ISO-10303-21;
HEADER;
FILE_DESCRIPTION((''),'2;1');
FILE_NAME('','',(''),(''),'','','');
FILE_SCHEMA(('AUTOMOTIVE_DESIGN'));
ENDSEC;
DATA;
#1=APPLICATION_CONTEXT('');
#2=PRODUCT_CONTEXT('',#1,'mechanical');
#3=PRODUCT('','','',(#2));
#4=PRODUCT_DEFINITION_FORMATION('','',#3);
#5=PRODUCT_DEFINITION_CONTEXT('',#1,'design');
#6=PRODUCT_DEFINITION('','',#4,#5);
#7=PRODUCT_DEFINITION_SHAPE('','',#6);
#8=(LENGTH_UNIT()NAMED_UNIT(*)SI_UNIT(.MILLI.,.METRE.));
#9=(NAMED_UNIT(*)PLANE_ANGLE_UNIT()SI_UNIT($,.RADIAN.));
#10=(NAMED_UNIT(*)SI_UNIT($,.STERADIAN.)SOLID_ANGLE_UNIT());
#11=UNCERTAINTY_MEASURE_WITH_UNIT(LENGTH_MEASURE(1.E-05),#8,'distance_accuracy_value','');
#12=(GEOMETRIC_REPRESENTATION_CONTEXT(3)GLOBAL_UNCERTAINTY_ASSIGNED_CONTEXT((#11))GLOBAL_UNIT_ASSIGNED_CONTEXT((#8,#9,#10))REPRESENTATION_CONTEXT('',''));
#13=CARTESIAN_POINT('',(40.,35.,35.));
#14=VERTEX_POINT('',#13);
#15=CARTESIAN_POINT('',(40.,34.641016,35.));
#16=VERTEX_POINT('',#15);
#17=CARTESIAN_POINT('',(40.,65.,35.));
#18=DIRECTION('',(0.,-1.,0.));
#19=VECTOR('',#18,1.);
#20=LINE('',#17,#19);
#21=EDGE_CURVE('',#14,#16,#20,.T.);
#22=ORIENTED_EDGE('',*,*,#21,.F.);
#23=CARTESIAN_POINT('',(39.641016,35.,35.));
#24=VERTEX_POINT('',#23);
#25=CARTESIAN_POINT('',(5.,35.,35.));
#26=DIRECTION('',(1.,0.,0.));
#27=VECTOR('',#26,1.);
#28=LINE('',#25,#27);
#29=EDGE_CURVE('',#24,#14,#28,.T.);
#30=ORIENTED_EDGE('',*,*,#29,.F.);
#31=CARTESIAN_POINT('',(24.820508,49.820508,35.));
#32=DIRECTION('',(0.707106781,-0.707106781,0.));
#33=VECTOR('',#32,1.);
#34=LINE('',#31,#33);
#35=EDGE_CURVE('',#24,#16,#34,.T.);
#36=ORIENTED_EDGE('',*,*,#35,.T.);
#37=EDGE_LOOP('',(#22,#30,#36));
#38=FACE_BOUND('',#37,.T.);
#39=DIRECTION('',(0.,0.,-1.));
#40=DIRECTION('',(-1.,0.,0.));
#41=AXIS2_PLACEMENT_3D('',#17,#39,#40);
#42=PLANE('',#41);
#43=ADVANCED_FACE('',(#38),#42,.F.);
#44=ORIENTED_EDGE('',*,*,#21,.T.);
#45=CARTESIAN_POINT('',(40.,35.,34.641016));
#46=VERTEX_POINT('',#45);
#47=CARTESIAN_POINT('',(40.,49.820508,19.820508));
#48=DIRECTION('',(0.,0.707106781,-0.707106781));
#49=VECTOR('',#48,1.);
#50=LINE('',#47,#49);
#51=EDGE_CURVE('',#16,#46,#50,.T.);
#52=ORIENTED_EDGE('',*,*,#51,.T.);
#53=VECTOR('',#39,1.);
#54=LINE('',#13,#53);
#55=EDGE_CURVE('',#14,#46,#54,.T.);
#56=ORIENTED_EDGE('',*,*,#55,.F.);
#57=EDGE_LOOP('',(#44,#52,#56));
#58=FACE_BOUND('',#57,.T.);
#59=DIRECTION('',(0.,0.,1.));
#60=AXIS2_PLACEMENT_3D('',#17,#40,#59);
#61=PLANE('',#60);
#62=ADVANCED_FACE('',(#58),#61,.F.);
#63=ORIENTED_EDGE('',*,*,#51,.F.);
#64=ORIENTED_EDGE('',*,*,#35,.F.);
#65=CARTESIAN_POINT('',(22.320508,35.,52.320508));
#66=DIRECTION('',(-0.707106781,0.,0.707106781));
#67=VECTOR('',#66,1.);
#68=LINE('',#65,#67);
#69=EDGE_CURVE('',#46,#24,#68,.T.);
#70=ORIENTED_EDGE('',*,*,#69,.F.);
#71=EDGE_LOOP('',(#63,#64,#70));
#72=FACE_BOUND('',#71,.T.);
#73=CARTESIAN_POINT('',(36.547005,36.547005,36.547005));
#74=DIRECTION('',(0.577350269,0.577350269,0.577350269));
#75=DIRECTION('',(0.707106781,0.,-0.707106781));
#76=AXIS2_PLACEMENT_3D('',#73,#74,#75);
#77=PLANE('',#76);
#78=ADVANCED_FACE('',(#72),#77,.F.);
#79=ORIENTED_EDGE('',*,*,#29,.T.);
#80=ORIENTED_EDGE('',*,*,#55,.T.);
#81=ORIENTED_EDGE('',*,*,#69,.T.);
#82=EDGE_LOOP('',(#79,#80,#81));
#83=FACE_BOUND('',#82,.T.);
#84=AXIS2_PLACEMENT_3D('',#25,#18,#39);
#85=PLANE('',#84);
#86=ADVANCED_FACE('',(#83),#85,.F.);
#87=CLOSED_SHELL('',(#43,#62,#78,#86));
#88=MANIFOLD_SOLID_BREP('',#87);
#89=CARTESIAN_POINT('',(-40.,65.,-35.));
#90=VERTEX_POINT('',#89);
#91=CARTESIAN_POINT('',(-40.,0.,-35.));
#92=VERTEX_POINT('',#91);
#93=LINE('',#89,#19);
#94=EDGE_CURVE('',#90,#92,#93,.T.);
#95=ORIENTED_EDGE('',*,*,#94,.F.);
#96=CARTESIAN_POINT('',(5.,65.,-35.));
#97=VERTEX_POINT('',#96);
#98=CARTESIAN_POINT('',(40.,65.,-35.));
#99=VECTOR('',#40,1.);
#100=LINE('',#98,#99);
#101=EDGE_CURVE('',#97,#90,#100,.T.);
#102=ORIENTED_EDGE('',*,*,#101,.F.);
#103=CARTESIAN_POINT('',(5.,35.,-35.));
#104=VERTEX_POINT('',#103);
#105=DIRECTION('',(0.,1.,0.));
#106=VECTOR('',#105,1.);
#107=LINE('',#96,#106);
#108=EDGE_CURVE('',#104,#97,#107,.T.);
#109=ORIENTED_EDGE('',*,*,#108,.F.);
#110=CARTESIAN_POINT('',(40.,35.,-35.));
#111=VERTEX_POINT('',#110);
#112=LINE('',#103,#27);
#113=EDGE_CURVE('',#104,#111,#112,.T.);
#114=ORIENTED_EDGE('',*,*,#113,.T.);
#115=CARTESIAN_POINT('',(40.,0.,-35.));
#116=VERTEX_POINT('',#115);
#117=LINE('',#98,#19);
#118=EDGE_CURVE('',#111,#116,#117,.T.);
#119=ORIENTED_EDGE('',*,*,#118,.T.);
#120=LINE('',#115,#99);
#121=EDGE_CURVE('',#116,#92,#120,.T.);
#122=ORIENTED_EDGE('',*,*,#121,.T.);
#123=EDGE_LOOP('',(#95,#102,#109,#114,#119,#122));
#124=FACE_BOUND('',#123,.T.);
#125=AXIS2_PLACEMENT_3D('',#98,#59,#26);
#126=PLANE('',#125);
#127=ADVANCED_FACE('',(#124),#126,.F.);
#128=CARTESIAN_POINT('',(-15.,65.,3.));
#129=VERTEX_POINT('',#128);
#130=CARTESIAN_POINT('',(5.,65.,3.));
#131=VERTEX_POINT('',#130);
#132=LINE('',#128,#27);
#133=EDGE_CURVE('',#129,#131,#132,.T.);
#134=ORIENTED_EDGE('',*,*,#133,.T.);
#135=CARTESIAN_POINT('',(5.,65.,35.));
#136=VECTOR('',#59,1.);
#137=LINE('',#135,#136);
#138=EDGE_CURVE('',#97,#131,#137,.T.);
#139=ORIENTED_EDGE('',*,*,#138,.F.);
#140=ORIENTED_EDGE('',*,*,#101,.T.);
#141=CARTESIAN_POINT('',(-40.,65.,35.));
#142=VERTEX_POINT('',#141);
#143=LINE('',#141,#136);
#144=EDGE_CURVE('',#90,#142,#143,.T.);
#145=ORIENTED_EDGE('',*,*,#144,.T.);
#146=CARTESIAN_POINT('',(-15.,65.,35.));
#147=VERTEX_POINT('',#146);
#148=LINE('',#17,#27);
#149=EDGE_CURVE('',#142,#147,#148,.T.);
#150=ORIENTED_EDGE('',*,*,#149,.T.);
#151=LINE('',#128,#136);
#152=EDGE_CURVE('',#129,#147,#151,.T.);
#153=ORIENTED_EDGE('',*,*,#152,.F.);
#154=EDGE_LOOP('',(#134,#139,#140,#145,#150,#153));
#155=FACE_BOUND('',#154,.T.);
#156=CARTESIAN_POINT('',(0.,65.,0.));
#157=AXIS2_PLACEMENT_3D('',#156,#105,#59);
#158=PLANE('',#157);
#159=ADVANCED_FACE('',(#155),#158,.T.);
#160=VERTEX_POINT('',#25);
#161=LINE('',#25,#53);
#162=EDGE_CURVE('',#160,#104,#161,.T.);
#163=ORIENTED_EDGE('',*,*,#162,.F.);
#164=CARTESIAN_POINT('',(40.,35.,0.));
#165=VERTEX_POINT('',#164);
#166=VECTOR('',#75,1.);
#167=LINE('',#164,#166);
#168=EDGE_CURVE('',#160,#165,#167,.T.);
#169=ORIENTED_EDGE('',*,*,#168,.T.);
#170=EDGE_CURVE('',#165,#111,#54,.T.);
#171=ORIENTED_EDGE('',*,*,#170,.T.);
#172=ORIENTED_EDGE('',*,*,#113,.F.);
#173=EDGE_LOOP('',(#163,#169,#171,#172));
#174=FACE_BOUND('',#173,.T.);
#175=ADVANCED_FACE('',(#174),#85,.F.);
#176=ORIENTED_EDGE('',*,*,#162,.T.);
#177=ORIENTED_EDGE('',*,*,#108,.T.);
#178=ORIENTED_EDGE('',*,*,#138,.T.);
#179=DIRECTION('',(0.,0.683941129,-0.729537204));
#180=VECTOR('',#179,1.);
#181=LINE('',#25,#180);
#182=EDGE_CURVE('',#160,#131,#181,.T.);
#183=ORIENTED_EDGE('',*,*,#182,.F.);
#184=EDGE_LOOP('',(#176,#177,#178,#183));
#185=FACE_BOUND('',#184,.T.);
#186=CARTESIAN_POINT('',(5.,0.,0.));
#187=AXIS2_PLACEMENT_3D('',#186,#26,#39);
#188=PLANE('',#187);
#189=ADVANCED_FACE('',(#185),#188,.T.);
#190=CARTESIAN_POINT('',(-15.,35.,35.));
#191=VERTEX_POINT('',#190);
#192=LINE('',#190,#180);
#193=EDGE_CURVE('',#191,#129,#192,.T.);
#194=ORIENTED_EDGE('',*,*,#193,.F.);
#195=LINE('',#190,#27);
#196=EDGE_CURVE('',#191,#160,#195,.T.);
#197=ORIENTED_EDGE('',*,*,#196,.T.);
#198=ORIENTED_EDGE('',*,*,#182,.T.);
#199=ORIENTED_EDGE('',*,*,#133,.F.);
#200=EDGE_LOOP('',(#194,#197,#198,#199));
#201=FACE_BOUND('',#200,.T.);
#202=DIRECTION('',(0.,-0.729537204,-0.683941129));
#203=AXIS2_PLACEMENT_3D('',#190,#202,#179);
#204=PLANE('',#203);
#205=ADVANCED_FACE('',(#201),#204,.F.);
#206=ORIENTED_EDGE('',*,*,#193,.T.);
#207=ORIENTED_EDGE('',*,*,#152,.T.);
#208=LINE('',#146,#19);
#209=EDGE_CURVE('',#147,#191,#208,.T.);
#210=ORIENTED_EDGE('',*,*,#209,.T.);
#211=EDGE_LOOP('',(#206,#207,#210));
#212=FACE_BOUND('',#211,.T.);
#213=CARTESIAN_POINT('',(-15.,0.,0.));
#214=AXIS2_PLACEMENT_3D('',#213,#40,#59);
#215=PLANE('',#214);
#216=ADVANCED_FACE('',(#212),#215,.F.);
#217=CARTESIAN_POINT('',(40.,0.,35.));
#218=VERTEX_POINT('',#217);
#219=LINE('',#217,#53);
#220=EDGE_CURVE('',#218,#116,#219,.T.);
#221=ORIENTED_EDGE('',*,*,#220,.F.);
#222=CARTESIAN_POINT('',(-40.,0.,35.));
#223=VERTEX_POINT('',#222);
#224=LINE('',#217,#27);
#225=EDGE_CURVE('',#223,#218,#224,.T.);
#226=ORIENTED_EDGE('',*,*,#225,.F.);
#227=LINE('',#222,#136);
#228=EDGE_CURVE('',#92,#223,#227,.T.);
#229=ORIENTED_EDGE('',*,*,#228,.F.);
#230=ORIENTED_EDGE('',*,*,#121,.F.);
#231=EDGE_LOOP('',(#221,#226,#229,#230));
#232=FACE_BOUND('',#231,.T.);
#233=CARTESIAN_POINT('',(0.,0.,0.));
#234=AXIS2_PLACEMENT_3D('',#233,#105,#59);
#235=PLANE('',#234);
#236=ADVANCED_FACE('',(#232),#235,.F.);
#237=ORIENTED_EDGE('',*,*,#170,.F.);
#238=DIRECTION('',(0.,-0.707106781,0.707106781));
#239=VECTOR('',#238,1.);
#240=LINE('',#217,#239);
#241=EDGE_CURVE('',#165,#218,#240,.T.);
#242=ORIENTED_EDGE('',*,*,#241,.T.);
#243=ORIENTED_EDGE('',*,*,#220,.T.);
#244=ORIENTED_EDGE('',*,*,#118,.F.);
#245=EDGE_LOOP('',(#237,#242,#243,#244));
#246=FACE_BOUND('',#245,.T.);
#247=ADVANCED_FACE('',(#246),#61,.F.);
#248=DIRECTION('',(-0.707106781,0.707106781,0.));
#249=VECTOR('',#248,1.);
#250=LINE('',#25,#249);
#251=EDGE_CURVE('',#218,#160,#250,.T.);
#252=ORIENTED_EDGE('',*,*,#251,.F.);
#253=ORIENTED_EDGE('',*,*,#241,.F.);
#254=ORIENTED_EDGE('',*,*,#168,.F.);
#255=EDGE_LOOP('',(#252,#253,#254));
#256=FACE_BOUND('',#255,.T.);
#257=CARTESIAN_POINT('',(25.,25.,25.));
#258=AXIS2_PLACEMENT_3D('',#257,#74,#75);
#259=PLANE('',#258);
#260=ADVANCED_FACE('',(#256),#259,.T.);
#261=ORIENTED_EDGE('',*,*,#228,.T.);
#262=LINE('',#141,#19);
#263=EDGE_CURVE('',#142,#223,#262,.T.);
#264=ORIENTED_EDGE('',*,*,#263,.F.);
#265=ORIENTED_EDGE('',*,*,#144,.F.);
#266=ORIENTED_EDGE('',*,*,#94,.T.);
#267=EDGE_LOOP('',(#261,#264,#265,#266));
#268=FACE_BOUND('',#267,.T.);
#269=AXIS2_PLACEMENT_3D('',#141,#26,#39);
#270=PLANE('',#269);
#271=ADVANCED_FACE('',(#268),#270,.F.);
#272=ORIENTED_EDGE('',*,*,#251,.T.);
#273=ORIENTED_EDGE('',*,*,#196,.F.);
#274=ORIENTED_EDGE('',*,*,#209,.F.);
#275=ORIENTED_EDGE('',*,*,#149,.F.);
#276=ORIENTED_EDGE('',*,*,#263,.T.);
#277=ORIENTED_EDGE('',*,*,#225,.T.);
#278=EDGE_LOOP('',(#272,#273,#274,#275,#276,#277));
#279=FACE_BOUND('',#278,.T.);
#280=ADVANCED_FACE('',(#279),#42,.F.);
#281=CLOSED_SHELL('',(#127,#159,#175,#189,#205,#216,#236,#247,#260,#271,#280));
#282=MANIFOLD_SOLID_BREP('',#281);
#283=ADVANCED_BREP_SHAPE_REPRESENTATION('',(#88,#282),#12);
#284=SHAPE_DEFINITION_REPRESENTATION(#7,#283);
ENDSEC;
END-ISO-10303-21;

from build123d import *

# Parameters (mm, degrees)
SKETCH2_W           = 80
SKETCH2_H           = 70
BOSS_EXTRUDE1_DEPTH = 65
SKETCH3_W           = 70
SKETCH3_H           = 30
CUT_EXTRUDE1_DEPTH  = 35
BOSS_EXTRUDE2_DEPTH = 20
CUT_EXTRUDE2_DEPTH  = 20
CUT_EXTRUDE3_DEPTH  = 20


with BuildPart() as part:
    # Sketch2 → Boss-Extrude1 (new body)
    with BuildSketch(Plane(origin=(0, 0, 0), x_dir=(1, 0, 0), z_dir=(0, 1, 0))):
        Rectangle(SKETCH2_W, SKETCH2_H)
    extrude(amount=BOSS_EXTRUDE1_DEPTH)

    # Sketch3 → Cut-Extrude1 (cut)
    with BuildSketch(Plane(origin=(40, 0, 0), x_dir=(0, 0, -1), z_dir=(1, 0, 0))):
        with Locations((0, 50)):
            Rectangle(SKETCH3_W, SKETCH3_H)
    extrude(amount=-CUT_EXTRUDE1_DEPTH, mode=Mode.SUBTRACT)

    # Sketch4 → Boss-Extrude2 (add)
    with BuildSketch(Plane(origin=(5, 0, 0), x_dir=(0, 0, -1), z_dir=(1, 0, 0))):
        Polygon((-35, 35), (-3, 65), (-35, 65), align=None)
    extrude(amount=-BOSS_EXTRUDE2_DEPTH)

    # Sketch5 → Cut-Extrude2 (cut)
    with BuildSketch(Plane(origin=(5, 0, 0), x_dir=(0, 0, -1), z_dir=(1, 0, 0))):
        Polygon((-35, 35), (-3, 65), (-35, 65), align=None)
    extrude(amount=-CUT_EXTRUDE2_DEPTH, mode=Mode.SUBTRACT)

    # Sketch6 → Cut-Extrude3 (cut)
    with BuildSketch(Plane(origin=(25, 25, 25), x_dir=(-0.816496581, 0.40824829, 0.40824829), z_dir=(-0.577350269, -0.577350269, -0.577350269))):
        Polygon((-18.371173071, -24.748737342), (-18.371173071, 24.748737342), (24.494897428, 0), align=None)
    extrude(amount=-CUT_EXTRUDE3_DEPTH, mode=Mode.SUBTRACT)


solid = part.part
